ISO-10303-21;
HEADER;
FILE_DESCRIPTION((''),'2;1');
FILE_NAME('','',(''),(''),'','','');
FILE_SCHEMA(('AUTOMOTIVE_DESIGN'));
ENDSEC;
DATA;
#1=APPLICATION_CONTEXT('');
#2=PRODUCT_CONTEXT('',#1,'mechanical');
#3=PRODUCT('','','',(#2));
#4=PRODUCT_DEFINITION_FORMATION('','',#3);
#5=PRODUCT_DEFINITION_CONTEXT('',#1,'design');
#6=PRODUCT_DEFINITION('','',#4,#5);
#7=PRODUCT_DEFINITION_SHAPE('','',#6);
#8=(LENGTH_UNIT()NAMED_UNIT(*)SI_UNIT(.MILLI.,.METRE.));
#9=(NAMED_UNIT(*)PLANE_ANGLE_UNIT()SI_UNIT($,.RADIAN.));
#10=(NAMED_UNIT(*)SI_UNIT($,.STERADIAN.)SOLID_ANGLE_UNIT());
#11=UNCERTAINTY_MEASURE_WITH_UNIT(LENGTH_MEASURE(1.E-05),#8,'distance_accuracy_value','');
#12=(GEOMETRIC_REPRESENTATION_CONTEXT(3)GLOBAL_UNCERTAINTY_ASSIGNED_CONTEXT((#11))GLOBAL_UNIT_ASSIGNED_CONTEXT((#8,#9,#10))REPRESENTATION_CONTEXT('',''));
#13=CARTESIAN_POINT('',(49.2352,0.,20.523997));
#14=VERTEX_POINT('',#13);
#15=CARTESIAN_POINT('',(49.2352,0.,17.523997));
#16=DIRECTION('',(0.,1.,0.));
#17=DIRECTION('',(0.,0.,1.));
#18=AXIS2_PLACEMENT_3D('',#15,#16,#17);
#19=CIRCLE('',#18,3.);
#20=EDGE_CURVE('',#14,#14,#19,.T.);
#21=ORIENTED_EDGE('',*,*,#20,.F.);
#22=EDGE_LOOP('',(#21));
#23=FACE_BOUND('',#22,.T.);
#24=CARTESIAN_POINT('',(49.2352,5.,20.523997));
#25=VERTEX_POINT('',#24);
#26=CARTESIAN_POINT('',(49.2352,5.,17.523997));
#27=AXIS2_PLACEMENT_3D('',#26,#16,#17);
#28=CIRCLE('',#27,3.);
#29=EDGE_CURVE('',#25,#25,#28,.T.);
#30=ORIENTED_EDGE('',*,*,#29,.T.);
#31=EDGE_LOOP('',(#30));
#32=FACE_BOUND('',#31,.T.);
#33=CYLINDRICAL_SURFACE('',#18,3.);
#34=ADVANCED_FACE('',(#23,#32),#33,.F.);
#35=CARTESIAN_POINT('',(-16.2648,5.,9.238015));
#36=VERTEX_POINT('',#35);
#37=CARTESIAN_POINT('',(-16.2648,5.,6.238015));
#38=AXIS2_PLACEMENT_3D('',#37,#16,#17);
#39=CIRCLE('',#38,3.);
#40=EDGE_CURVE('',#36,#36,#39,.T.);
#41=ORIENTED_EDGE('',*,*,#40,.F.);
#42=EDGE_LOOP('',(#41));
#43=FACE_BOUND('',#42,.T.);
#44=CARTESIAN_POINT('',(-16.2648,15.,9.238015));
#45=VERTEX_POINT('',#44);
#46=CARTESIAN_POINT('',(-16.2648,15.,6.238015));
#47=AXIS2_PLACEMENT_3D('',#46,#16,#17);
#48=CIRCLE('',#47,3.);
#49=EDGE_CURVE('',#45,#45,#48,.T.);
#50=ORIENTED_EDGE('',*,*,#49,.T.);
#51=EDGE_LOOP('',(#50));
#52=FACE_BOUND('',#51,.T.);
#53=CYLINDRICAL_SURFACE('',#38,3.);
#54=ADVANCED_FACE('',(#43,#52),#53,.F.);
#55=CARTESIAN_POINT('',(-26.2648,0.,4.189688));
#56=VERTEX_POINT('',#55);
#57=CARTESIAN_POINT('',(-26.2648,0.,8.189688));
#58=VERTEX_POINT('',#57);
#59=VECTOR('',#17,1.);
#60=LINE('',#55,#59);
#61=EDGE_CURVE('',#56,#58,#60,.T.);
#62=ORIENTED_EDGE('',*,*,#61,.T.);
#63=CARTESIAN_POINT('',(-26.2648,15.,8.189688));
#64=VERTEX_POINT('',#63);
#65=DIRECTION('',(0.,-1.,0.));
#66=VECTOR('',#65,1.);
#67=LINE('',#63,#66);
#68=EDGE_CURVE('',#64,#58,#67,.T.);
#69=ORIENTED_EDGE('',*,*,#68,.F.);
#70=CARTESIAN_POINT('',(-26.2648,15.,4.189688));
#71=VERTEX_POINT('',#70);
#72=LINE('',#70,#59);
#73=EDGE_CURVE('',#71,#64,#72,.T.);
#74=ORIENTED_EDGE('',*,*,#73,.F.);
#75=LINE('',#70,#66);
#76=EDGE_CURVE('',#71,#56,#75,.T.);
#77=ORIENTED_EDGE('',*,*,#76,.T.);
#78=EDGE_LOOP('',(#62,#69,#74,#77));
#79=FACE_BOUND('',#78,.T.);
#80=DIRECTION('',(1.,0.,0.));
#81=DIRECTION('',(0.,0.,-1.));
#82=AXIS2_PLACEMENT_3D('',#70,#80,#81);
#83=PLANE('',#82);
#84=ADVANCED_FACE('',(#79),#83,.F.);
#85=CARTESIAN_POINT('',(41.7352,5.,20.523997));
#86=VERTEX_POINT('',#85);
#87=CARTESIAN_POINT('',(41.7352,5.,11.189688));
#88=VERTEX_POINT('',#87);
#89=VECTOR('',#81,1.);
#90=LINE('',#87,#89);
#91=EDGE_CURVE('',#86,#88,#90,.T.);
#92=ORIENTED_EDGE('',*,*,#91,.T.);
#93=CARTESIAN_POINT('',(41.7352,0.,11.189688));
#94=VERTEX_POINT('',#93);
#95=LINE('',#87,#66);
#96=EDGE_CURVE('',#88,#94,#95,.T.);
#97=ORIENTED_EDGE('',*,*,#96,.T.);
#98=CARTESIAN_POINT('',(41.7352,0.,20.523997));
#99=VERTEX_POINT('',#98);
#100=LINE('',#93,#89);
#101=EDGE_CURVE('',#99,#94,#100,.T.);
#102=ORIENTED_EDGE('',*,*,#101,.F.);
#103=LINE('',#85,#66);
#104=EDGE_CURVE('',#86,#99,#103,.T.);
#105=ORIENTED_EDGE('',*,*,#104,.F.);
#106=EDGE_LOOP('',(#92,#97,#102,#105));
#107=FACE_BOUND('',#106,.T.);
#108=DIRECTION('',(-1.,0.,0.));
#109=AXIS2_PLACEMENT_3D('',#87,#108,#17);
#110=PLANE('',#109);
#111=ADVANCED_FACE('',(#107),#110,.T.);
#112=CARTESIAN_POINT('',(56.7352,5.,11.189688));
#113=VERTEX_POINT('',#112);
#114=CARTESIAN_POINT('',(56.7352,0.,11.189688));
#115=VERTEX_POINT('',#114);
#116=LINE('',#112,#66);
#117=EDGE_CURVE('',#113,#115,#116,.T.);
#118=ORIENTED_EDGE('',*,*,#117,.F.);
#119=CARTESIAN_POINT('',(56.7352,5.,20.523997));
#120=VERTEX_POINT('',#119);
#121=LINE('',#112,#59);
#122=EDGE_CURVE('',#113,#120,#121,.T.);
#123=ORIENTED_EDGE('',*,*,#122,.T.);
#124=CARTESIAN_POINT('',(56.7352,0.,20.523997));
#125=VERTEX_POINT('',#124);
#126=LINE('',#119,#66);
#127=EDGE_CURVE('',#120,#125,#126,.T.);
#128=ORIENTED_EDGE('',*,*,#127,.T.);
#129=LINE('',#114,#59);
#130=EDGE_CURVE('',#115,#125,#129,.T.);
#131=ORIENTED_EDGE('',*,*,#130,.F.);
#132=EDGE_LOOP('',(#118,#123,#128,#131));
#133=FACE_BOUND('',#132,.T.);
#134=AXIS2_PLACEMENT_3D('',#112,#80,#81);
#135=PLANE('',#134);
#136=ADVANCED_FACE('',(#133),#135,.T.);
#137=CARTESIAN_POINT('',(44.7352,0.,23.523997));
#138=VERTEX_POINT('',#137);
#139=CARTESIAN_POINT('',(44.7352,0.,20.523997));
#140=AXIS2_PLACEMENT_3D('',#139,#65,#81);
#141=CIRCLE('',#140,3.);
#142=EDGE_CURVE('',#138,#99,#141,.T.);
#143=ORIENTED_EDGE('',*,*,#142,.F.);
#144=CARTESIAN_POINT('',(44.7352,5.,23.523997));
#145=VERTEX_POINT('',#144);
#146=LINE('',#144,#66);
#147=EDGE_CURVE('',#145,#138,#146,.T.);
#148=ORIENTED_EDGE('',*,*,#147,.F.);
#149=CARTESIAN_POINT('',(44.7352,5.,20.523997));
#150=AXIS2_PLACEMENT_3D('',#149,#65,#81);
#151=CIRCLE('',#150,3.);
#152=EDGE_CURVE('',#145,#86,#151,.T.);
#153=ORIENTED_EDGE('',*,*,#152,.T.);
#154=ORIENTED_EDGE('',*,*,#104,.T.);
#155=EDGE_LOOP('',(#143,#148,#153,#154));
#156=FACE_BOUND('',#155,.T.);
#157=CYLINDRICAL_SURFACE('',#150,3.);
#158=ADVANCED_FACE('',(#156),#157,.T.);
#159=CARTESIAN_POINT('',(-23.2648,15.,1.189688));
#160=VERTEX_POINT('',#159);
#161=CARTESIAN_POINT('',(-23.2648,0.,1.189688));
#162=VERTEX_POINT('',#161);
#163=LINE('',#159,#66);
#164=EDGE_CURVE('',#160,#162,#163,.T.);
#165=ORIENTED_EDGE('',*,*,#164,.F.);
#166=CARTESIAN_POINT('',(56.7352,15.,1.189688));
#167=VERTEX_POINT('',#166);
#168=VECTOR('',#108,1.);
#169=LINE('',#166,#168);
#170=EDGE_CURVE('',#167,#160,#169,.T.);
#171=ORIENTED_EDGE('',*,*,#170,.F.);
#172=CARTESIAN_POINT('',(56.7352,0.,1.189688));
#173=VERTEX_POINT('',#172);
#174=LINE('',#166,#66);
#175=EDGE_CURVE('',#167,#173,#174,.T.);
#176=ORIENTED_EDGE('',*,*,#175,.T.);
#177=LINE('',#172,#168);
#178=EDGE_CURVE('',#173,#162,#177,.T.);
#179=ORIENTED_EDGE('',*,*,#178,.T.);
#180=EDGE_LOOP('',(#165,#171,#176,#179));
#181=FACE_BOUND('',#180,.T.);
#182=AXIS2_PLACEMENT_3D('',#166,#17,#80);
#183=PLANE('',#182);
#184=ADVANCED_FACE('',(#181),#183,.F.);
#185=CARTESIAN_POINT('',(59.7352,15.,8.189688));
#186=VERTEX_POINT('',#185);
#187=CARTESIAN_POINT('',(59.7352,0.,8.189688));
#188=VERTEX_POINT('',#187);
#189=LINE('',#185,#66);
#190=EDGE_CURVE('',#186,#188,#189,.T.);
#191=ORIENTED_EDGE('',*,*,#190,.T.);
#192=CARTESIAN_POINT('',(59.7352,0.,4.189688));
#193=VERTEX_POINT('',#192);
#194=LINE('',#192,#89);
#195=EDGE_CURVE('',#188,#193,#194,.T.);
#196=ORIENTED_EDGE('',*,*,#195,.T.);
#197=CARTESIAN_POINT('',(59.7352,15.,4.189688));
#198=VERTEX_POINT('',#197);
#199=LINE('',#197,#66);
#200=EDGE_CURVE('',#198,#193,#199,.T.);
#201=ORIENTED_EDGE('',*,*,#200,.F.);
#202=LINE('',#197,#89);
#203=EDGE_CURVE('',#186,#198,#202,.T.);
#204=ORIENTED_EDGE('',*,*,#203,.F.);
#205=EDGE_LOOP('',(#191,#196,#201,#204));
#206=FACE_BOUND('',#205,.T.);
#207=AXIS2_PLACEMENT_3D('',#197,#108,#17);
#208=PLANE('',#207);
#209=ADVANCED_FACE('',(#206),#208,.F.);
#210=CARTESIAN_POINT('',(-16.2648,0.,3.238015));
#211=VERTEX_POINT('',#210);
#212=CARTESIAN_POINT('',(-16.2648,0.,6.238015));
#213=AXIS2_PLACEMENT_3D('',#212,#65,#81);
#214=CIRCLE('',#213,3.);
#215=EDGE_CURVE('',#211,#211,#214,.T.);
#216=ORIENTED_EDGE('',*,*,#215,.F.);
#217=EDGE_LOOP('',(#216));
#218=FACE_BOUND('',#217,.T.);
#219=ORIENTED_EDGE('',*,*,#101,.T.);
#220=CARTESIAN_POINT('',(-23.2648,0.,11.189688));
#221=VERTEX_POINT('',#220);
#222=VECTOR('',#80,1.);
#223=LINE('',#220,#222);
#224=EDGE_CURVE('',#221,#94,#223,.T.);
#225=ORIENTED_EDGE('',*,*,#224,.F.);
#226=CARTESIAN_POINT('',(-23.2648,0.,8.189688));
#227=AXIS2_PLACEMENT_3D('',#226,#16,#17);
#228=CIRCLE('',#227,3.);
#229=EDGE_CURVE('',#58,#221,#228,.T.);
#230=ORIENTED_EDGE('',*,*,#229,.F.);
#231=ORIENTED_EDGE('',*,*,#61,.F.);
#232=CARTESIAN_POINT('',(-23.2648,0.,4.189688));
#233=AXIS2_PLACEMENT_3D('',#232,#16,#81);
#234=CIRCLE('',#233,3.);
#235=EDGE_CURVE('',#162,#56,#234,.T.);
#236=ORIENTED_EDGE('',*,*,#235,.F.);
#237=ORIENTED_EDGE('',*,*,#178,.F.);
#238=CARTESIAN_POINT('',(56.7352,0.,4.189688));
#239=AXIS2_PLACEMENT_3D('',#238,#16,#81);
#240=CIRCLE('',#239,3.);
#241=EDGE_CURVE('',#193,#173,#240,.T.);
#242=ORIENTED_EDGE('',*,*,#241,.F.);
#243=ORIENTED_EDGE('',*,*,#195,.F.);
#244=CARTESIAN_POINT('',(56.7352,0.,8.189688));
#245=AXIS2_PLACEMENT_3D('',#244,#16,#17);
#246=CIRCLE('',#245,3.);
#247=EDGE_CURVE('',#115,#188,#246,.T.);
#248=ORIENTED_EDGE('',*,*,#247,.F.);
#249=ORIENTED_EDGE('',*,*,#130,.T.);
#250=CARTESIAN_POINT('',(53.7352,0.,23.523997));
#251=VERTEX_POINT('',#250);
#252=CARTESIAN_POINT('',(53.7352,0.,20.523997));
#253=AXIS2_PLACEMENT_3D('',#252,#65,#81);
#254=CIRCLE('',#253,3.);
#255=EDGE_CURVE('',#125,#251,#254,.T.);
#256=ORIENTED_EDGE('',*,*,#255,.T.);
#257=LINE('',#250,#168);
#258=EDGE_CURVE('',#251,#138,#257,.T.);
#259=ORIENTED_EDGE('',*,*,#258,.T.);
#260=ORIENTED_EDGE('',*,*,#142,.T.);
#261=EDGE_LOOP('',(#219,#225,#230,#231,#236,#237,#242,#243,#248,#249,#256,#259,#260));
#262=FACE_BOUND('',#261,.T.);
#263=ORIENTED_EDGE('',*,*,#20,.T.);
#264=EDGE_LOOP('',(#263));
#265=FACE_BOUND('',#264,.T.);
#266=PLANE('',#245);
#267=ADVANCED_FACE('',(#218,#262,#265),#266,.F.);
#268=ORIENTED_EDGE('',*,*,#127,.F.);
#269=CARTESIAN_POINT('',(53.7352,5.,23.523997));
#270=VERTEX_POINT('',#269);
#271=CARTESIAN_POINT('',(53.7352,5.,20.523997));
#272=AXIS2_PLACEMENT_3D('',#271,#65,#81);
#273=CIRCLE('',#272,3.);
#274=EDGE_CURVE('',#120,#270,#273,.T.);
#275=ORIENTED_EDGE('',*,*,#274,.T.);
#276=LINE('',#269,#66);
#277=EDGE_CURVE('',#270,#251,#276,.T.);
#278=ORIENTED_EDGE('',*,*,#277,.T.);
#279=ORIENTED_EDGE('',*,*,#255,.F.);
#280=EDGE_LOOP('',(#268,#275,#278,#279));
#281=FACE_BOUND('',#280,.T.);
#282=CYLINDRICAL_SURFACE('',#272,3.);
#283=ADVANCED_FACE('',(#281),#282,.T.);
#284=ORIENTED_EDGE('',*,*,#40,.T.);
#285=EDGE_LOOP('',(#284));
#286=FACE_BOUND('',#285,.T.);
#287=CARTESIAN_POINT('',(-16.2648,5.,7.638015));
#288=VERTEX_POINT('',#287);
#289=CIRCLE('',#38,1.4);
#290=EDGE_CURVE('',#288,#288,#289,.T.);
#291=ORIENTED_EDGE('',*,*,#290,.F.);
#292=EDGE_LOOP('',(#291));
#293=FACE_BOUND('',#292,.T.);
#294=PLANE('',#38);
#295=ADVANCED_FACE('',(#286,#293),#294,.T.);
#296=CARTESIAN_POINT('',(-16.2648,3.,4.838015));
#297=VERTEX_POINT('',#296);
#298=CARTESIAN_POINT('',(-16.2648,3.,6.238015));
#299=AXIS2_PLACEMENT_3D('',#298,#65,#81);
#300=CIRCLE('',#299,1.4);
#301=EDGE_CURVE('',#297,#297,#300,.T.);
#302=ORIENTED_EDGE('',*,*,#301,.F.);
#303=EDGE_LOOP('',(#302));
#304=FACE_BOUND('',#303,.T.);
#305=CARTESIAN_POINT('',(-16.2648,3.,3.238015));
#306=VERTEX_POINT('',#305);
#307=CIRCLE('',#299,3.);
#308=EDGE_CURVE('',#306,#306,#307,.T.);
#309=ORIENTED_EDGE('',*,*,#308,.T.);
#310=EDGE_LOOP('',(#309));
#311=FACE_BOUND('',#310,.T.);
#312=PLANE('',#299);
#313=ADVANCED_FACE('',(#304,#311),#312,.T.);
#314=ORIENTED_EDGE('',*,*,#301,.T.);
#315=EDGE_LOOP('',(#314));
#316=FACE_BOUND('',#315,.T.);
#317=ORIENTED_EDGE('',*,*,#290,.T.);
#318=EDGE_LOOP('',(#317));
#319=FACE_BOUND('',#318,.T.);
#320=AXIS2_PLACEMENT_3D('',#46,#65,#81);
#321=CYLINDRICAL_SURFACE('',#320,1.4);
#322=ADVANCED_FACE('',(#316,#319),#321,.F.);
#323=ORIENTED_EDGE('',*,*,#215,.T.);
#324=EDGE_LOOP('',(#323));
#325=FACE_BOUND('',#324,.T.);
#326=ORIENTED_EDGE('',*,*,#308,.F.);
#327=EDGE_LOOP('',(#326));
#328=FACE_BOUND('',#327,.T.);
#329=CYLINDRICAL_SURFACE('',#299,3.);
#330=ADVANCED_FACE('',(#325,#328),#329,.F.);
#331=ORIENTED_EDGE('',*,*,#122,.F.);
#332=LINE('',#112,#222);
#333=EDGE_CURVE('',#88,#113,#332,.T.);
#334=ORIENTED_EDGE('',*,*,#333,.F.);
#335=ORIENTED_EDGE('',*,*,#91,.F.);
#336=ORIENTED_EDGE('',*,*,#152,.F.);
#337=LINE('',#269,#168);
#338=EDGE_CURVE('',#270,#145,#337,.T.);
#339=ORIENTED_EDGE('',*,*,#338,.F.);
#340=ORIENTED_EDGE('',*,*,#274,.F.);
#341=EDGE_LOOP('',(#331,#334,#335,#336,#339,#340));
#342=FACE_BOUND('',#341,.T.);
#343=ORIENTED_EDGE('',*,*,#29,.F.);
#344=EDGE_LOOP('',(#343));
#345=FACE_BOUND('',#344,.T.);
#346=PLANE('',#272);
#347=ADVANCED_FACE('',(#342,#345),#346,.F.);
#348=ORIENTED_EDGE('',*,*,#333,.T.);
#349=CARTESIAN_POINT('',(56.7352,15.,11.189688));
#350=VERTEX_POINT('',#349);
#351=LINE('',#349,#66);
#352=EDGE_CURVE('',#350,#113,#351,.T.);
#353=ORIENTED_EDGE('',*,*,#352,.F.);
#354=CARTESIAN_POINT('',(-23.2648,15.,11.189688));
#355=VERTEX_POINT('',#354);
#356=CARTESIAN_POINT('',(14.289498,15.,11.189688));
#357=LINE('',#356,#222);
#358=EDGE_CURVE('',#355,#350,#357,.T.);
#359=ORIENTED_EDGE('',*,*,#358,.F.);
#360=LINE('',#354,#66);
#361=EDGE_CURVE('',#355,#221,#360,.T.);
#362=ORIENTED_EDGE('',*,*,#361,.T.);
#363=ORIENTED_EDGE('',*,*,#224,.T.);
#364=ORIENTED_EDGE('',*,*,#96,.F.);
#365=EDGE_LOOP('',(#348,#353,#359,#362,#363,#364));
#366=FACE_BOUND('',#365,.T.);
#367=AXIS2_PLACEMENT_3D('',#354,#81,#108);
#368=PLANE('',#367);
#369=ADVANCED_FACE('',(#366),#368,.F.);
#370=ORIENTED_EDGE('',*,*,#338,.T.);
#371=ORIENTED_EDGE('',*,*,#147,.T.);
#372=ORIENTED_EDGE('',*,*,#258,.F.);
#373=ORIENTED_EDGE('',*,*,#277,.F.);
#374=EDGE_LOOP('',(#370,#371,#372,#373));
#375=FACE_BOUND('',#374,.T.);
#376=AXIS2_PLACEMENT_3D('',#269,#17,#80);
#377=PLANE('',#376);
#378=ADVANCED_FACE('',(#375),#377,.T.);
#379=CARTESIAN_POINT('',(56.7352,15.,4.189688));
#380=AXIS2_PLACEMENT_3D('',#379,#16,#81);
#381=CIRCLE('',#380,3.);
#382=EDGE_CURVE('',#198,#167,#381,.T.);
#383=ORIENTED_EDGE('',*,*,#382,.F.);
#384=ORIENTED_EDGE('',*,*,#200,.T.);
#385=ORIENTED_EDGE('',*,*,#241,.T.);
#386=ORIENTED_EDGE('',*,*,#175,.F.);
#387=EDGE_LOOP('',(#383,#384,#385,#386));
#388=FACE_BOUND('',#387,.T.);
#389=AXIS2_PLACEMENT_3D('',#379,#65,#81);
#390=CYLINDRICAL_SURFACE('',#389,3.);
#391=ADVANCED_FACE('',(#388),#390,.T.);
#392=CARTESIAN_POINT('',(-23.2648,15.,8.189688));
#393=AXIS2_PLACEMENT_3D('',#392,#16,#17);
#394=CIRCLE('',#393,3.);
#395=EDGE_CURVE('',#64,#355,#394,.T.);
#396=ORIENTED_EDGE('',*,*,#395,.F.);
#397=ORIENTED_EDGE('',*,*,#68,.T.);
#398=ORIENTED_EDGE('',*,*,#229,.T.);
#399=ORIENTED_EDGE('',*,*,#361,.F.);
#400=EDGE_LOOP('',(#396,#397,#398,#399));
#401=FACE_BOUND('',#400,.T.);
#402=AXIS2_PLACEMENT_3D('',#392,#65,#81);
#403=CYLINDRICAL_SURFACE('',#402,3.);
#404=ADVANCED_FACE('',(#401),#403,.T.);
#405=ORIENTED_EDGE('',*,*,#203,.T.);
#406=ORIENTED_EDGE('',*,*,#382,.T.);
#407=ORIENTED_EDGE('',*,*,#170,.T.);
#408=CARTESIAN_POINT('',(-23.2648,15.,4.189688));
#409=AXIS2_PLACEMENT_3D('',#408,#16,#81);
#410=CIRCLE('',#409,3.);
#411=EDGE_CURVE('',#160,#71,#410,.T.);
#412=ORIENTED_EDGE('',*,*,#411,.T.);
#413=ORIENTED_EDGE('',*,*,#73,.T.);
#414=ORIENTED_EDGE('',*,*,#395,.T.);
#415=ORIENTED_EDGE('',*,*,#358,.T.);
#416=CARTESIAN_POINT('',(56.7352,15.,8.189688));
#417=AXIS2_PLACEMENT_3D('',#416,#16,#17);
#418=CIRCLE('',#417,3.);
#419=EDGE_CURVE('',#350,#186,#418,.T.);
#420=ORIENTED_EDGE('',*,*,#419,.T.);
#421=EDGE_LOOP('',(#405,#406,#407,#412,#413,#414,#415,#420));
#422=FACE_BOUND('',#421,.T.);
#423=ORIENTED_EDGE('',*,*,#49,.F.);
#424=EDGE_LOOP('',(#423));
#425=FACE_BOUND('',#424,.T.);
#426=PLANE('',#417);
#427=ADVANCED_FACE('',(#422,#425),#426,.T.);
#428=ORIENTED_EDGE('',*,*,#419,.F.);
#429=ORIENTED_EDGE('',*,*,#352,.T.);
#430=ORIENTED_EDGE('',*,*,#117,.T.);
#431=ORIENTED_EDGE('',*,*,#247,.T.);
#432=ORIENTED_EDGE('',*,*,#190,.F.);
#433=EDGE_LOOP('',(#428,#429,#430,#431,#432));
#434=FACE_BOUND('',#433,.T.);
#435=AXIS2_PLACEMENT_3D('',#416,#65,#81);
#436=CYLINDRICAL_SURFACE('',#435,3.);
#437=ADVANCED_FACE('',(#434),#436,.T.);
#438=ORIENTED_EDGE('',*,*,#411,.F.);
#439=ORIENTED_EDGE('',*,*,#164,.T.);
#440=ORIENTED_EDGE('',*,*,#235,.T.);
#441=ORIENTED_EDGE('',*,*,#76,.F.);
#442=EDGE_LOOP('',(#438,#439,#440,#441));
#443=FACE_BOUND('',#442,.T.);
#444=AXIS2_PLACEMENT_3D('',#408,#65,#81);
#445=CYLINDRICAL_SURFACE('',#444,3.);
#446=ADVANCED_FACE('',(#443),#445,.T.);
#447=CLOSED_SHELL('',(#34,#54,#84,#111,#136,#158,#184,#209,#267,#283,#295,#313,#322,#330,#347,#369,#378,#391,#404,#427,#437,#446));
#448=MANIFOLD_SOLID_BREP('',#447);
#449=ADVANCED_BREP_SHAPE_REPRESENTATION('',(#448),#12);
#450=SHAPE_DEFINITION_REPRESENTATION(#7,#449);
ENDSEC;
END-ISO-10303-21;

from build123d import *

# Parameters (mm, degrees)
SKETCH1_R           = 1.4
BOSS_EXTRUDE1_DEPTH = 15
SKETCH3_R           = 3
CUT_EXTRUDE2_DEPTH  = 3
SKETCH4_R           = 3
CUT_EXTRUDE3_DEPTH  = 10
BOSS_EXTRUDE2_DEPTH = 5
SKETCH7_R           = 3
CUT_EXTRUDE4_DEPTH  = 5


with BuildPart() as part:
    # Sketch1 → Boss-Extrude1 (new body)
    with BuildSketch(Plane(origin=(0, 0, 0), x_dir=(1, 0, 0), z_dir=(0, 1, 0))):
        with BuildLine():
            Line((-26.264799853, -4.189688425), (-26.264799853, -8.189688425))
            ThreePointArc((-26.264799853, -8.189688425), (-25.386120197, -10.311008768), (-23.264799853, -11.189688425))
            Line((-23.264799853, -11.189688425), (14.289498055, -11.189688425))
            Line((14.289498055, -11.189688425), (56.735200147, -11.189688425))
            ThreePointArc((56.735200147, -11.189688425), (58.85652049, -10.311008768), (59.735200147, -8.189688425))
            Line((59.735200147, -8.189688425), (59.735200147, -4.189688425))
            ThreePointArc((59.735200147, -4.189688425), (58.85652049, -2.068368081), (56.735200147, -1.189688425))
            Line((56.735200147, -1.189688425), (-23.264799853, -1.189688425))
            ThreePointArc((-23.264799853, -1.189688425), (-25.386120197, -2.068368081), (-26.264799853, -4.189688425))
        make_face()
        with Locations((-16.264799853, -6.238015415)):
            Circle(SKETCH1_R, mode=Mode.SUBTRACT)
    extrude(amount=BOSS_EXTRUDE1_DEPTH)

    # Sketch3 → Cut-Extrude2 (cut)
    with BuildSketch(Plane.XZ):
        with Locations((-16.264799853, 6.238015415)):
            Circle(SKETCH3_R)
    extrude(amount=-CUT_EXTRUDE2_DEPTH, mode=Mode.SUBTRACT)

    # Sketch4 → Cut-Extrude3 (cut)
    with BuildSketch(Plane(origin=(0, 15, 0), x_dir=(1, 0, 0), z_dir=(0, 1, 0))):
        with Locations((-16.264799853, -6.238015415)):
            Circle(SKETCH4_R)
    extrude(amount=-CUT_EXTRUDE3_DEPTH, mode=Mode.SUBTRACT)

    # Sketch5 → Boss-Extrude2 (add)
    with BuildSketch(Plane.XZ):
        with BuildLine():
            Line((56.735200147, 11.189688425), (41.735200147, 11.189688425))
            Line((41.735200147, 11.189688425), (41.735200147, 20.523996962))
            ThreePointArc((41.735200147, 20.523996962), (42.613879803, 22.645317306), (44.735200147, 23.523996962))
            Line((44.735200147, 23.523996962), (53.735200147, 23.523996962))
            ThreePointArc((53.735200147, 23.523996962), (55.85652049, 22.645317306), (56.735200147, 20.523996962))
            Line((56.735200147, 20.523996962), (56.735200147, 11.189688425))
        make_face()
    extrude(amount=-BOSS_EXTRUDE2_DEPTH)

    # Sketch7 → Cut-Extrude4 (cut)
    with BuildSketch(Plane(origin=(0, 5, 0), x_dir=(1, 0, 0), z_dir=(0, 1, 0))):
        with Locations((49.235200147, -17.523996962)):
            Circle(SKETCH7_R)
    extrude(amount=-CUT_EXTRUDE4_DEPTH, mode=Mode.SUBTRACT)


solid = part.part
